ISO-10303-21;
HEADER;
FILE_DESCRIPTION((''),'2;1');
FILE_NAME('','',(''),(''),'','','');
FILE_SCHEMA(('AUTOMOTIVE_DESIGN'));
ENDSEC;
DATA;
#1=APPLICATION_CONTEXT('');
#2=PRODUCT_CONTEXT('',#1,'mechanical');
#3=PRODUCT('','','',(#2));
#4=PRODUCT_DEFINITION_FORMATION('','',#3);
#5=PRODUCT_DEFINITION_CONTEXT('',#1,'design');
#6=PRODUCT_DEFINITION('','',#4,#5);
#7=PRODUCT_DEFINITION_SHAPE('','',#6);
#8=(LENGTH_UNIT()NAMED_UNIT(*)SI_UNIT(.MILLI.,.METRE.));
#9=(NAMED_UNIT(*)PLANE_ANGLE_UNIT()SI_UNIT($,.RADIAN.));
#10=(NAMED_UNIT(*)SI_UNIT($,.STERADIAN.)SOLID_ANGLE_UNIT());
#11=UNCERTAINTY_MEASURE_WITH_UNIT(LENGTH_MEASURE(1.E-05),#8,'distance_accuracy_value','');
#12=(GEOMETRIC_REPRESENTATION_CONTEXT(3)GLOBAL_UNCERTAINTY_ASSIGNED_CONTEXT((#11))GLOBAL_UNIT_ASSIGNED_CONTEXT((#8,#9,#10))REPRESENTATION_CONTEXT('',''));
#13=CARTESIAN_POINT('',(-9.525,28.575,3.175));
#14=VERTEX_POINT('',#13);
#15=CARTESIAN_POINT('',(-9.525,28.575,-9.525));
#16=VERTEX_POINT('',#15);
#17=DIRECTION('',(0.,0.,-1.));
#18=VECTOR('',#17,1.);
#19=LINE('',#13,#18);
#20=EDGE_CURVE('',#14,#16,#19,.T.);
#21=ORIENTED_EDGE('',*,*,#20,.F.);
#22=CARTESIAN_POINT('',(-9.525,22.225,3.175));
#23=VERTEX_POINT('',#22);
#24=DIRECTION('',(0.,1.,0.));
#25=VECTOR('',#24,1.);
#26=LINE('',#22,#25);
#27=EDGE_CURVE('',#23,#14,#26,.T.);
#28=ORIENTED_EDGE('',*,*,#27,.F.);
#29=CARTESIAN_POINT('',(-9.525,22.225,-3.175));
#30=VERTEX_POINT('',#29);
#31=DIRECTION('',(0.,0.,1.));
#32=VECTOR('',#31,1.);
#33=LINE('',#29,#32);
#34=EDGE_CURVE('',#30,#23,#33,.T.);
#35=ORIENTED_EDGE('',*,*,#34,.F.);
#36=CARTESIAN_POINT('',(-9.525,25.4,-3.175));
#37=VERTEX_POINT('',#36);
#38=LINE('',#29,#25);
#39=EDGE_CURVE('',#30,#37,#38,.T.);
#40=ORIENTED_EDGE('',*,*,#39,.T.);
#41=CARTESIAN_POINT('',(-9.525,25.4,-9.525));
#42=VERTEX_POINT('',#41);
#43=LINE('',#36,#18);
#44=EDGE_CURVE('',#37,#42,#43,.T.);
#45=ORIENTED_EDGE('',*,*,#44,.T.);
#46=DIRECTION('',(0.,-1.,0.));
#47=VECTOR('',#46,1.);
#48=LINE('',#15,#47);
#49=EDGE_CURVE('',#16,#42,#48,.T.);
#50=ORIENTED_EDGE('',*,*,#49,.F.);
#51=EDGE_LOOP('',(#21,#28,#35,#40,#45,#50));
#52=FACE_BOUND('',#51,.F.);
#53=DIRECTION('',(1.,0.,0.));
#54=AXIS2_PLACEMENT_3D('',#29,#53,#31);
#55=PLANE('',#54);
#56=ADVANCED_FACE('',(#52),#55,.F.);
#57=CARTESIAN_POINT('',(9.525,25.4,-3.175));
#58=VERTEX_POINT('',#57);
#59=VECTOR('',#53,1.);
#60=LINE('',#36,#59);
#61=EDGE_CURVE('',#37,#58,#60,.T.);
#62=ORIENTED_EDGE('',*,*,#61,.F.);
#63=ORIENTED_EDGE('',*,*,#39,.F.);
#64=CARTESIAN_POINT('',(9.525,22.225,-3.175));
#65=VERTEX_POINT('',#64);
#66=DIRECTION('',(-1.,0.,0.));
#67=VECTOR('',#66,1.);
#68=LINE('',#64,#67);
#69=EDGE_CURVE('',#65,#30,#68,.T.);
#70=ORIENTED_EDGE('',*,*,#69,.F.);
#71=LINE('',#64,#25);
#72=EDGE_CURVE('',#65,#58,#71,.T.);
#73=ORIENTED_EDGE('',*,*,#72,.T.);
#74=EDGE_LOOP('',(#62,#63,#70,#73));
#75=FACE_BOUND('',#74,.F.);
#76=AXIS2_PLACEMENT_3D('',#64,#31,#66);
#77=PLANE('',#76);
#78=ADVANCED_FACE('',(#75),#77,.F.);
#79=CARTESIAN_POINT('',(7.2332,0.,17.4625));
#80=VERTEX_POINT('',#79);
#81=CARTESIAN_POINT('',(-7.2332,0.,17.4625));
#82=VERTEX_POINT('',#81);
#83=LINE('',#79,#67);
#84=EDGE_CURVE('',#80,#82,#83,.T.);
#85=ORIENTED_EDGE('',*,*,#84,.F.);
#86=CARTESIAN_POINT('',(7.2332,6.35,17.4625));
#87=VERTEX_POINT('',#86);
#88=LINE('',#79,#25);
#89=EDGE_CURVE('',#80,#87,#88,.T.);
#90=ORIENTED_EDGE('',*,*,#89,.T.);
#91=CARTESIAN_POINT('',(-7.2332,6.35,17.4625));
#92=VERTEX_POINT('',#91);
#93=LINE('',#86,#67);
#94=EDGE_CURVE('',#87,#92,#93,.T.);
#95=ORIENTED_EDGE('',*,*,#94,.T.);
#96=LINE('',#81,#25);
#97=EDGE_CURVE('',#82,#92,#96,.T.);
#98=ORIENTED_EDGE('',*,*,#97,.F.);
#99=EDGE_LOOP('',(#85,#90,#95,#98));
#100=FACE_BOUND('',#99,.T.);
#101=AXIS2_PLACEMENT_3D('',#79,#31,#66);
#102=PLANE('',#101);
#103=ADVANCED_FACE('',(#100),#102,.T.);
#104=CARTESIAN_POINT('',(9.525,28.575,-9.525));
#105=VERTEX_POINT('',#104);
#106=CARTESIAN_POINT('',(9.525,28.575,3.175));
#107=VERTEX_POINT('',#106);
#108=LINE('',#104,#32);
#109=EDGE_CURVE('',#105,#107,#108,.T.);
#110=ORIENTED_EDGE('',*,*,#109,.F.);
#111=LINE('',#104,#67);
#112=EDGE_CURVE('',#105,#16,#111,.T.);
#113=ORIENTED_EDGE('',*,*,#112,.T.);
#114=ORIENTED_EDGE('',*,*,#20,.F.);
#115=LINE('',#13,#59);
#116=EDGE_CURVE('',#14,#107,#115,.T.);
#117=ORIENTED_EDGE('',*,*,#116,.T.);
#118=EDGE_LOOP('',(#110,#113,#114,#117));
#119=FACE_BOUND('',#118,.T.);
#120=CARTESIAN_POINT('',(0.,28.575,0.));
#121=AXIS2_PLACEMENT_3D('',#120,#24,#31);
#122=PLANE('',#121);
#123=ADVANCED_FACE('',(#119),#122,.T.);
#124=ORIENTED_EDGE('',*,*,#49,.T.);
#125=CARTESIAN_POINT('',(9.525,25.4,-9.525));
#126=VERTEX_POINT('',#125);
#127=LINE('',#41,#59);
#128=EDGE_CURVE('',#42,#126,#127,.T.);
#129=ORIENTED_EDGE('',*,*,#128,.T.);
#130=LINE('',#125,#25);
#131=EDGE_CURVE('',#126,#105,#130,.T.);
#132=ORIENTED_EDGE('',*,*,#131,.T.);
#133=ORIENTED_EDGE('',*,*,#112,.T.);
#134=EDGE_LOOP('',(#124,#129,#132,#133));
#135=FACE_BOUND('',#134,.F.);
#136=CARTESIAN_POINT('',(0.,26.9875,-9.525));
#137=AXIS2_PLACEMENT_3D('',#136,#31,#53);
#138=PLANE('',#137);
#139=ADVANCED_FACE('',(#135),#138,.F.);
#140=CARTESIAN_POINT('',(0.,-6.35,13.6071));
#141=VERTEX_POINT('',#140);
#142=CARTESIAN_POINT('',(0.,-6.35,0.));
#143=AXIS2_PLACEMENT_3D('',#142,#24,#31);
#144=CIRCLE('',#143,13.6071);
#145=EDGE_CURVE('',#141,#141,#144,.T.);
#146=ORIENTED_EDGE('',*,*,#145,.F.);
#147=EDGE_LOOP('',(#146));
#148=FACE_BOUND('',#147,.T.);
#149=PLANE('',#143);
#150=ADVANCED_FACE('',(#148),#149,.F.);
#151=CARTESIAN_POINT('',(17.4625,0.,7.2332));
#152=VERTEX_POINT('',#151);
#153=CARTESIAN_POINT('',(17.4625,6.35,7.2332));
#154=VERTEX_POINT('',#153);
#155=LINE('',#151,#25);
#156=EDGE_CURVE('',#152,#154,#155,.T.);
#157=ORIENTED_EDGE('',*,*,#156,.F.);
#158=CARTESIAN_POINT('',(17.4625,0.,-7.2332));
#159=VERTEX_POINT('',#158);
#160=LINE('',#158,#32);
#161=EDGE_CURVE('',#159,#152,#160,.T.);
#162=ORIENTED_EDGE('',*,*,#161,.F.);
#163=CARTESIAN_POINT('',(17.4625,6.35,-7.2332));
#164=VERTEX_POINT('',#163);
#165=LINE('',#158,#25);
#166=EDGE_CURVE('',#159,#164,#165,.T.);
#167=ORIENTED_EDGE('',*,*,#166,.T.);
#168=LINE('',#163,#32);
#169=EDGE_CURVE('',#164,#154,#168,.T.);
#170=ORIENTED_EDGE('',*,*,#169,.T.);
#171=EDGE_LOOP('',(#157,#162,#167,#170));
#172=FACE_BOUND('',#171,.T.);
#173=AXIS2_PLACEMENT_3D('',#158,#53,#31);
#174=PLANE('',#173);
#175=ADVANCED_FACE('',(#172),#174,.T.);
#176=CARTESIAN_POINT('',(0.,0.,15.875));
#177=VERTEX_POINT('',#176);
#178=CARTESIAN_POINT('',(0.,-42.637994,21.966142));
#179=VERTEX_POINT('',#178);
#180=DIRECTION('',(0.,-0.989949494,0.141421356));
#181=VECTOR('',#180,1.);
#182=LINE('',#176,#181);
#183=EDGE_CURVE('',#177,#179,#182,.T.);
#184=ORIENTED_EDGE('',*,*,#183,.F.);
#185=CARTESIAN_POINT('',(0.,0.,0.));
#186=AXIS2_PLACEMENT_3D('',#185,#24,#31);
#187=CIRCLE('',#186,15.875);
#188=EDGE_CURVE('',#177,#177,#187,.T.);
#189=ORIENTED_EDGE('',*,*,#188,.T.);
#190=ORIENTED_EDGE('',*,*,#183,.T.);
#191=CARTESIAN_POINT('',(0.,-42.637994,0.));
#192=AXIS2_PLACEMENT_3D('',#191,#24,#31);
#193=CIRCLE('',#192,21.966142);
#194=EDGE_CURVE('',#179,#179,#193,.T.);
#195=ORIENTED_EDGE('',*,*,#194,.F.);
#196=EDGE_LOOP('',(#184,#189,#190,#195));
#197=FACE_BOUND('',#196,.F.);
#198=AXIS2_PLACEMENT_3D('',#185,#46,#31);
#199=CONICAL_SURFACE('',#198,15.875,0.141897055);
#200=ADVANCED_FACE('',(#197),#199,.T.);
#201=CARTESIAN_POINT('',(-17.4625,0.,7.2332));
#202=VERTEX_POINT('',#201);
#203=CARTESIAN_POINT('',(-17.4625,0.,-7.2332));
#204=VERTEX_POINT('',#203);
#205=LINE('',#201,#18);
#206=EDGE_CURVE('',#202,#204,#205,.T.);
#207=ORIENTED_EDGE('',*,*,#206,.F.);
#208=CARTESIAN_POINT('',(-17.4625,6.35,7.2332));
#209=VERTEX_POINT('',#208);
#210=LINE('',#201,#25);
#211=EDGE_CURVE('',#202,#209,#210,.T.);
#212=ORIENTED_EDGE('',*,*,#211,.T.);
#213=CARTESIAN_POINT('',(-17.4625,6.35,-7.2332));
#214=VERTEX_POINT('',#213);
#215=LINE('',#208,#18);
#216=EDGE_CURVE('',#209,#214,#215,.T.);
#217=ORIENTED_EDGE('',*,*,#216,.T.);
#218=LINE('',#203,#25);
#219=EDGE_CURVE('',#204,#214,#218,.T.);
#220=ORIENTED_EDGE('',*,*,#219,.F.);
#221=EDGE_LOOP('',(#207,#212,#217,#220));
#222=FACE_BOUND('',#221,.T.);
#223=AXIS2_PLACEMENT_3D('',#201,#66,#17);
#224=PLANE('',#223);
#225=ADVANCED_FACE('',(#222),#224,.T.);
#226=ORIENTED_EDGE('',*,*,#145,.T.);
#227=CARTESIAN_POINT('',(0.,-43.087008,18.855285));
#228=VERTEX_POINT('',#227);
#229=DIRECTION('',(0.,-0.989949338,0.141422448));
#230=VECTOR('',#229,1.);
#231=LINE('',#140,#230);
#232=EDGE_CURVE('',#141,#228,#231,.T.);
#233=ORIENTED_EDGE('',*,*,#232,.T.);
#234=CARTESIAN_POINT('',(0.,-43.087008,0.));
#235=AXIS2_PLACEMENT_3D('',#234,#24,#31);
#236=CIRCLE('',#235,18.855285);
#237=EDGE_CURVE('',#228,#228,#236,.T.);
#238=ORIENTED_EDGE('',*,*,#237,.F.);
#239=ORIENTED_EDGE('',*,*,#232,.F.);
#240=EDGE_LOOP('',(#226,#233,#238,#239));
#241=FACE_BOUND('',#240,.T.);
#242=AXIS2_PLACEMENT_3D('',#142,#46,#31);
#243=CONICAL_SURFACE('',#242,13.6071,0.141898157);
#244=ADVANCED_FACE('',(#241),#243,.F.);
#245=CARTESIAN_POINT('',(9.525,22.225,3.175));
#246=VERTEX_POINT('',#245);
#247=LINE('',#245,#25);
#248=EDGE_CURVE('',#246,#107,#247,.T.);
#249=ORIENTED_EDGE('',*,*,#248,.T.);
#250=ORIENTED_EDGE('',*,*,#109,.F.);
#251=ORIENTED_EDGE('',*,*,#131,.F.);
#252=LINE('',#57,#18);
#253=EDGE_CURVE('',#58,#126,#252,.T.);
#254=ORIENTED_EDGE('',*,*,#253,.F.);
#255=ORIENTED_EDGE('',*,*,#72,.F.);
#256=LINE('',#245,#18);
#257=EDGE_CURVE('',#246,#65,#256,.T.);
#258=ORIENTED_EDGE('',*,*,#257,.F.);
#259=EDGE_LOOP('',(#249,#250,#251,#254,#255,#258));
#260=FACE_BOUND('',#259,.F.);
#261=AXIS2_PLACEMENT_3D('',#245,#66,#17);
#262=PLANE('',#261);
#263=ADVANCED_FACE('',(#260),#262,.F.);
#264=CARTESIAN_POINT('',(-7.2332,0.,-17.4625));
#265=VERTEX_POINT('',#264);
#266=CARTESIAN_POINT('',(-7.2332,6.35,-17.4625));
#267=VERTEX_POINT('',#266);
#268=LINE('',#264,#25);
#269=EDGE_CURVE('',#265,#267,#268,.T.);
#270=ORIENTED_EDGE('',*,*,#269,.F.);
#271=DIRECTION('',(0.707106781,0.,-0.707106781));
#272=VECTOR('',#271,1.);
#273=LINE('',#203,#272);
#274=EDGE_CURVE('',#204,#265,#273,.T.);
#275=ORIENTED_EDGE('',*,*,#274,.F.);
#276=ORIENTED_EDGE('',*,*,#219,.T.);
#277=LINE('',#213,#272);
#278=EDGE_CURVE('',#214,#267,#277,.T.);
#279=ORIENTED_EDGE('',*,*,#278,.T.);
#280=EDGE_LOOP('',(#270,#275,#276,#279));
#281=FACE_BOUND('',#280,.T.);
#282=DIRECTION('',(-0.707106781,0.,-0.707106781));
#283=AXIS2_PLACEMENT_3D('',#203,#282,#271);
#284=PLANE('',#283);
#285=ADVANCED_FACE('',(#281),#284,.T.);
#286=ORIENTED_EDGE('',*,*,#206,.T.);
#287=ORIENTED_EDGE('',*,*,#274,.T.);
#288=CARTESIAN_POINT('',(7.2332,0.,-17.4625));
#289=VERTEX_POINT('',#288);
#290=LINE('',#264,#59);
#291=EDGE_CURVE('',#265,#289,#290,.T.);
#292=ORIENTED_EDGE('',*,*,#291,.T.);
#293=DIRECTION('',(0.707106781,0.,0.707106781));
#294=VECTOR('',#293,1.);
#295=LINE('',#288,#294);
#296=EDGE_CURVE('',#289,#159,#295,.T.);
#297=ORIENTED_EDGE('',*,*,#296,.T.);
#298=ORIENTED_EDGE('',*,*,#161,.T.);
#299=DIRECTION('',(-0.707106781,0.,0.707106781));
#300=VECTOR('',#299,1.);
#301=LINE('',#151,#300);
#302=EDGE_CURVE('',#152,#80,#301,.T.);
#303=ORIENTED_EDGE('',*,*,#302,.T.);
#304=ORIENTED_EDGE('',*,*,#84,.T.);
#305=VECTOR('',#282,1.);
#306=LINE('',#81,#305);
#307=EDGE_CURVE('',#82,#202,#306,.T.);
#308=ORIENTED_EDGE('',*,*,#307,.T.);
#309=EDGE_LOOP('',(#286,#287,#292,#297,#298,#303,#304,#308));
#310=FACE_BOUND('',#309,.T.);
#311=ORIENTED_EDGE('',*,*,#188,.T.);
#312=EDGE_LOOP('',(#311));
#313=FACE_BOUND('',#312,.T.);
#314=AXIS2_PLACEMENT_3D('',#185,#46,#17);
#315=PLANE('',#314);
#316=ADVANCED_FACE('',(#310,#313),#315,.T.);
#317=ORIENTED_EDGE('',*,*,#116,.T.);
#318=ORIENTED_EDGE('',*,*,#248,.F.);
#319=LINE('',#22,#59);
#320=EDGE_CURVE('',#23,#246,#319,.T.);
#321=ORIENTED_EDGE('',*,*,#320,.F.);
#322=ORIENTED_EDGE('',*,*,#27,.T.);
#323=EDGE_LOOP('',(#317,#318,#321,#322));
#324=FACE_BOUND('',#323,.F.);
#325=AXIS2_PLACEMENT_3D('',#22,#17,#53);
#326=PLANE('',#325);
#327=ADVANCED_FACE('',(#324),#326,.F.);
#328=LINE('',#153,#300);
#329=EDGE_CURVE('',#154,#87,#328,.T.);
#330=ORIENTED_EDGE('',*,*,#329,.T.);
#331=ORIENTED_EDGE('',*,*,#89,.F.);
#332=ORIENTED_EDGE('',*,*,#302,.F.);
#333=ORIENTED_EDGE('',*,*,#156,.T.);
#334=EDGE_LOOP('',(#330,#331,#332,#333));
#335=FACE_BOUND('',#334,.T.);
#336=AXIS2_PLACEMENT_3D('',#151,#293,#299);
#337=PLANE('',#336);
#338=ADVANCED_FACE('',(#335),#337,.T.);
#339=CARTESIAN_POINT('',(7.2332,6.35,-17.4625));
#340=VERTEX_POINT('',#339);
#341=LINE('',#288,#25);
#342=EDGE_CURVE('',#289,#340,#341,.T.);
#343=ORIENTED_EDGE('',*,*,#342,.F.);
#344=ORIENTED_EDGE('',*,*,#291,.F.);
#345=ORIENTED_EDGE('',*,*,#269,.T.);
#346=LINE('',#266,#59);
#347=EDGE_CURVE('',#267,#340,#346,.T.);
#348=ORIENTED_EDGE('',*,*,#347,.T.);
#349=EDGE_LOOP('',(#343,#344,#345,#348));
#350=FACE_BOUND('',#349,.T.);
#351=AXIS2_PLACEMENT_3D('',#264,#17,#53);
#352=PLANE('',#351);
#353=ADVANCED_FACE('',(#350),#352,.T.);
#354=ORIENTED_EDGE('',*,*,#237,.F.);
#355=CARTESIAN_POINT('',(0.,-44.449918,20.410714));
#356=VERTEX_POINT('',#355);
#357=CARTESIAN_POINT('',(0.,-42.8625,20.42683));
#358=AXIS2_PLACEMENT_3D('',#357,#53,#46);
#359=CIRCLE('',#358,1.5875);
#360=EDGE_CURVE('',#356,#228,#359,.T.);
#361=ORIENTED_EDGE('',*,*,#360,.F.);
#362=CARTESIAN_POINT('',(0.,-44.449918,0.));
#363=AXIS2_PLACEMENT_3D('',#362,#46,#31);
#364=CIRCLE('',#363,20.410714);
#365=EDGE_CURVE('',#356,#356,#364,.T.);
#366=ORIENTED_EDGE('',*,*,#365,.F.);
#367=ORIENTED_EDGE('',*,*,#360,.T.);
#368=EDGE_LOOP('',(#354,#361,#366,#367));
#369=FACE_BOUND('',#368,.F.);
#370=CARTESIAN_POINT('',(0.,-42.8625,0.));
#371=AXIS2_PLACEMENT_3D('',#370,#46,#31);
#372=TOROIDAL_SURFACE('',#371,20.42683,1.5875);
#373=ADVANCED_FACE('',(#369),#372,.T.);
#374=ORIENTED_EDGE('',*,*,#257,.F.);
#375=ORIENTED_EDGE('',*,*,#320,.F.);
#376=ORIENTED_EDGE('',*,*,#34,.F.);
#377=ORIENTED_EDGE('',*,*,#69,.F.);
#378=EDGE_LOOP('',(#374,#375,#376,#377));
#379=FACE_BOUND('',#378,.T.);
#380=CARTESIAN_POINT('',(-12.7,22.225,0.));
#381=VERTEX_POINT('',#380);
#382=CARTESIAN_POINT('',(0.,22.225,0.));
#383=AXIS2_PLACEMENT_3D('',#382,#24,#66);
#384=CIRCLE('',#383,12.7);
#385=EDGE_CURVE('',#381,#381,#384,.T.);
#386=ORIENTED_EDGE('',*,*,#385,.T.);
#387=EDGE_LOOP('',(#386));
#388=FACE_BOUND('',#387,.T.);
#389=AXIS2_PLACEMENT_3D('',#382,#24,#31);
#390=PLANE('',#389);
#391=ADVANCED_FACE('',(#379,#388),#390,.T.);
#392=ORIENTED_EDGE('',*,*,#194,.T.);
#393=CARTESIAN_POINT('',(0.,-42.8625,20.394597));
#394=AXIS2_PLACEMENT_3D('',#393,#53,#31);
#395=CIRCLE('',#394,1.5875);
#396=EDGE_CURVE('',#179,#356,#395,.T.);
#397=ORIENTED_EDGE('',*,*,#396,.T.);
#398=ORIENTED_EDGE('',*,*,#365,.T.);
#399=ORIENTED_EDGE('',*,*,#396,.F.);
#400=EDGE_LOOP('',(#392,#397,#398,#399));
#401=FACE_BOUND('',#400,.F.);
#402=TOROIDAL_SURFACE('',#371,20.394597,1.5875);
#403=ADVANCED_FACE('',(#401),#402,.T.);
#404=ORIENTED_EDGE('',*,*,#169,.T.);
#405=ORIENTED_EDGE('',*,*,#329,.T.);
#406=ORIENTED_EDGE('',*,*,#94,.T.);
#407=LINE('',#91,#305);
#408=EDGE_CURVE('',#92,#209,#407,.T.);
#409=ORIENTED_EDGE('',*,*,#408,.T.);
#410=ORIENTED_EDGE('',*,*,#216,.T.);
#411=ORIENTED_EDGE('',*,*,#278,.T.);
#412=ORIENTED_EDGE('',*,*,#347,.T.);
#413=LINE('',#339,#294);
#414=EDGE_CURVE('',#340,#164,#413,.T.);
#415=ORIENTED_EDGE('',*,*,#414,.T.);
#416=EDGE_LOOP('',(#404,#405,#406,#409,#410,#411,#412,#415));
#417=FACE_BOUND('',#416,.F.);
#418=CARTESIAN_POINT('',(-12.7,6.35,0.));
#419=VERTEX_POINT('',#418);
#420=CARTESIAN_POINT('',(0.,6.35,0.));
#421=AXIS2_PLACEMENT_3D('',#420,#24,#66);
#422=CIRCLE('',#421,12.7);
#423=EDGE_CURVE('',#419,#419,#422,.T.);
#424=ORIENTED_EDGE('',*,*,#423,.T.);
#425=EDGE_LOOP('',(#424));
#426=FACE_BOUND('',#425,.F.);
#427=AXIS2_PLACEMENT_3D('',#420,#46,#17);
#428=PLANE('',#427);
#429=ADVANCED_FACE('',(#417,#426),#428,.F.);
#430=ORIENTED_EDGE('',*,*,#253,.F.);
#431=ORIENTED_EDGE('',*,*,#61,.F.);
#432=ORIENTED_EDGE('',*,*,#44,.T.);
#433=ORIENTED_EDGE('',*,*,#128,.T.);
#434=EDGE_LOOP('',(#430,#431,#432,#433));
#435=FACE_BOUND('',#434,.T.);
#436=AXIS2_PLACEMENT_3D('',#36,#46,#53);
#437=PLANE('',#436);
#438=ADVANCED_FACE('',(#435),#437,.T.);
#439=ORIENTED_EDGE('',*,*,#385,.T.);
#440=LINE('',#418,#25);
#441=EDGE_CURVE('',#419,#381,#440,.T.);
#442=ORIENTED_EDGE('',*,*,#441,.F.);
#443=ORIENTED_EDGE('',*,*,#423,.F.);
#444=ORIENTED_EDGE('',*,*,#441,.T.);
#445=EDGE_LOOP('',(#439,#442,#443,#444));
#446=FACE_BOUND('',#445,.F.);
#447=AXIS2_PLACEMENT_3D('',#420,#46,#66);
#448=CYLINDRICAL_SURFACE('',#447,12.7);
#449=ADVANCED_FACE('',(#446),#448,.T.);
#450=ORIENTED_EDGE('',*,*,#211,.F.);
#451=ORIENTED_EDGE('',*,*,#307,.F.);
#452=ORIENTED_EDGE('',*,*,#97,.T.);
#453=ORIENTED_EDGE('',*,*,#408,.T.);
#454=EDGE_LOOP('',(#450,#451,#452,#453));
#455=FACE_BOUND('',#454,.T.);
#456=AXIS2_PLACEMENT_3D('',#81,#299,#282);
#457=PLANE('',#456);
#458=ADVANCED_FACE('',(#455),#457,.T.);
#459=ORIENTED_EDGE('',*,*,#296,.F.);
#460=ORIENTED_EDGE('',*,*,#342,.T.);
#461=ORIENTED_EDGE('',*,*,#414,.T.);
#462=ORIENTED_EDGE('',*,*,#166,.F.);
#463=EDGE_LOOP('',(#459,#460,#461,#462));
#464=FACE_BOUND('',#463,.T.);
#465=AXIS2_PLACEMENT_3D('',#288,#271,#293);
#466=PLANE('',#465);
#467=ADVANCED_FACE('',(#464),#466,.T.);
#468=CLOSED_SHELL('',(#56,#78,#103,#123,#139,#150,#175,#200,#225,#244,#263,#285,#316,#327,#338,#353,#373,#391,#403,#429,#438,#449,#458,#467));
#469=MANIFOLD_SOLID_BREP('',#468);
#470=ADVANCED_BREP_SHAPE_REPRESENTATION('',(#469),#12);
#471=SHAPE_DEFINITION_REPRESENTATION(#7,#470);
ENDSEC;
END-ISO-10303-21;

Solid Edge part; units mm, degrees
sketch "Sketch1" plane through (0, 0, 0) normal (0, -1, 0) x (1, 0, 0)
  line L0 (17.4625, 7.2332) -> (7.2332, 17.4625)
  line L1 (7.2332, 17.4625) -> (-7.2332, 17.4625)
  line L2 (-7.2332, 17.4625) -> (-17.4625, 7.2332)
  line L3 (-17.4625, 7.2332) -> (-17.4625, -7.2332)
  line L4 (-17.4625, -7.2332) -> (-7.2332, -17.4625)
  line L5 (-7.2332, -17.4625) -> (7.2332, -17.4625)
  line L6 (7.2332, -17.4625) -> (17.4625, -7.2332)
  line L7 (17.4625, -7.2332) -> (17.4625, 7.2332)
  dimension "D1" = 34.925
extrude "Protrusion1" add sketch "Sketch1" against normal blind 6.35
sketch "Sketch2" plane through (0, 6.35, 0) normal (0, 1, 0) x (-1, 0, 0)
  circle A0 centre (0, 0) radius 12.7
extrude "ExtrudedProtrusion_2" add sketch "Sketch2" along normal blind 15.875
sketch "Sketch3" plane through (0, 0, 0) normal (-1, 0, 0) x (0, -1, 0)
  line L0 (44.45, 19.05) -> (44.45, 22.225)
  line L1 (0, 15.875) -> (44.45, 22.225)
  line L2 (0, 0) -> (0, 15.875)
  line L3 (6.35, 0) -> (0, 0)
  line L4 (6.35, 0) -> (6.35, 13.6071)
  line L5 (6.35, 13.6071) -> (44.45, 19.05)
revolve "RevolvedProtrusion1" add sketch "Sketch3" angle 360 about axis through (0, -44.45, 0) along (0, 1, 0)
fillet "Round_1" radius 1.5875 2 edges at (0, -44.45, -22.225) (0, -44.45, -19.05)
cosmetic_thread "Thread1" size "1-8 UNC"
sketch "Sketch4" plane through (0, 22.225, 0) normal (0, 1, 0) x (-1, 0, 0)
  line L0 (-9.525, -3.175) -> (9.525, -3.175)
  line L1 (9.525, -3.175) -> (9.525, 3.175)
  line L2 (9.525, 3.175) -> (-9.525, 3.175)
  line L3 (-9.525, 3.175) -> (-9.525, -3.175)
  dimension "D1" = 19.05
  dimension "D2" = 6.35
extrude "ExtrudedProtrusion_3" add sketch "Sketch4" along normal blind 6.35
sketch "Sketch5" plane through (0, 25.4, -3.175) normal (0, 0, -1) x (0, -1, 0)
  line L0 (-3.175, 9.525) -> (0, 9.525)
  line L1 (0, 9.525) -> (0, -9.525)
  line L2 (0, -9.525) -> (-3.175, -9.525)
  line L3 (-3.175, -9.525) -> (-3.175, 9.525)
extrude "ExtrudedProtrusion_4" add sketch "Sketch5" along normal blind 6.35
properties material "ABS Plastic, high impact"
